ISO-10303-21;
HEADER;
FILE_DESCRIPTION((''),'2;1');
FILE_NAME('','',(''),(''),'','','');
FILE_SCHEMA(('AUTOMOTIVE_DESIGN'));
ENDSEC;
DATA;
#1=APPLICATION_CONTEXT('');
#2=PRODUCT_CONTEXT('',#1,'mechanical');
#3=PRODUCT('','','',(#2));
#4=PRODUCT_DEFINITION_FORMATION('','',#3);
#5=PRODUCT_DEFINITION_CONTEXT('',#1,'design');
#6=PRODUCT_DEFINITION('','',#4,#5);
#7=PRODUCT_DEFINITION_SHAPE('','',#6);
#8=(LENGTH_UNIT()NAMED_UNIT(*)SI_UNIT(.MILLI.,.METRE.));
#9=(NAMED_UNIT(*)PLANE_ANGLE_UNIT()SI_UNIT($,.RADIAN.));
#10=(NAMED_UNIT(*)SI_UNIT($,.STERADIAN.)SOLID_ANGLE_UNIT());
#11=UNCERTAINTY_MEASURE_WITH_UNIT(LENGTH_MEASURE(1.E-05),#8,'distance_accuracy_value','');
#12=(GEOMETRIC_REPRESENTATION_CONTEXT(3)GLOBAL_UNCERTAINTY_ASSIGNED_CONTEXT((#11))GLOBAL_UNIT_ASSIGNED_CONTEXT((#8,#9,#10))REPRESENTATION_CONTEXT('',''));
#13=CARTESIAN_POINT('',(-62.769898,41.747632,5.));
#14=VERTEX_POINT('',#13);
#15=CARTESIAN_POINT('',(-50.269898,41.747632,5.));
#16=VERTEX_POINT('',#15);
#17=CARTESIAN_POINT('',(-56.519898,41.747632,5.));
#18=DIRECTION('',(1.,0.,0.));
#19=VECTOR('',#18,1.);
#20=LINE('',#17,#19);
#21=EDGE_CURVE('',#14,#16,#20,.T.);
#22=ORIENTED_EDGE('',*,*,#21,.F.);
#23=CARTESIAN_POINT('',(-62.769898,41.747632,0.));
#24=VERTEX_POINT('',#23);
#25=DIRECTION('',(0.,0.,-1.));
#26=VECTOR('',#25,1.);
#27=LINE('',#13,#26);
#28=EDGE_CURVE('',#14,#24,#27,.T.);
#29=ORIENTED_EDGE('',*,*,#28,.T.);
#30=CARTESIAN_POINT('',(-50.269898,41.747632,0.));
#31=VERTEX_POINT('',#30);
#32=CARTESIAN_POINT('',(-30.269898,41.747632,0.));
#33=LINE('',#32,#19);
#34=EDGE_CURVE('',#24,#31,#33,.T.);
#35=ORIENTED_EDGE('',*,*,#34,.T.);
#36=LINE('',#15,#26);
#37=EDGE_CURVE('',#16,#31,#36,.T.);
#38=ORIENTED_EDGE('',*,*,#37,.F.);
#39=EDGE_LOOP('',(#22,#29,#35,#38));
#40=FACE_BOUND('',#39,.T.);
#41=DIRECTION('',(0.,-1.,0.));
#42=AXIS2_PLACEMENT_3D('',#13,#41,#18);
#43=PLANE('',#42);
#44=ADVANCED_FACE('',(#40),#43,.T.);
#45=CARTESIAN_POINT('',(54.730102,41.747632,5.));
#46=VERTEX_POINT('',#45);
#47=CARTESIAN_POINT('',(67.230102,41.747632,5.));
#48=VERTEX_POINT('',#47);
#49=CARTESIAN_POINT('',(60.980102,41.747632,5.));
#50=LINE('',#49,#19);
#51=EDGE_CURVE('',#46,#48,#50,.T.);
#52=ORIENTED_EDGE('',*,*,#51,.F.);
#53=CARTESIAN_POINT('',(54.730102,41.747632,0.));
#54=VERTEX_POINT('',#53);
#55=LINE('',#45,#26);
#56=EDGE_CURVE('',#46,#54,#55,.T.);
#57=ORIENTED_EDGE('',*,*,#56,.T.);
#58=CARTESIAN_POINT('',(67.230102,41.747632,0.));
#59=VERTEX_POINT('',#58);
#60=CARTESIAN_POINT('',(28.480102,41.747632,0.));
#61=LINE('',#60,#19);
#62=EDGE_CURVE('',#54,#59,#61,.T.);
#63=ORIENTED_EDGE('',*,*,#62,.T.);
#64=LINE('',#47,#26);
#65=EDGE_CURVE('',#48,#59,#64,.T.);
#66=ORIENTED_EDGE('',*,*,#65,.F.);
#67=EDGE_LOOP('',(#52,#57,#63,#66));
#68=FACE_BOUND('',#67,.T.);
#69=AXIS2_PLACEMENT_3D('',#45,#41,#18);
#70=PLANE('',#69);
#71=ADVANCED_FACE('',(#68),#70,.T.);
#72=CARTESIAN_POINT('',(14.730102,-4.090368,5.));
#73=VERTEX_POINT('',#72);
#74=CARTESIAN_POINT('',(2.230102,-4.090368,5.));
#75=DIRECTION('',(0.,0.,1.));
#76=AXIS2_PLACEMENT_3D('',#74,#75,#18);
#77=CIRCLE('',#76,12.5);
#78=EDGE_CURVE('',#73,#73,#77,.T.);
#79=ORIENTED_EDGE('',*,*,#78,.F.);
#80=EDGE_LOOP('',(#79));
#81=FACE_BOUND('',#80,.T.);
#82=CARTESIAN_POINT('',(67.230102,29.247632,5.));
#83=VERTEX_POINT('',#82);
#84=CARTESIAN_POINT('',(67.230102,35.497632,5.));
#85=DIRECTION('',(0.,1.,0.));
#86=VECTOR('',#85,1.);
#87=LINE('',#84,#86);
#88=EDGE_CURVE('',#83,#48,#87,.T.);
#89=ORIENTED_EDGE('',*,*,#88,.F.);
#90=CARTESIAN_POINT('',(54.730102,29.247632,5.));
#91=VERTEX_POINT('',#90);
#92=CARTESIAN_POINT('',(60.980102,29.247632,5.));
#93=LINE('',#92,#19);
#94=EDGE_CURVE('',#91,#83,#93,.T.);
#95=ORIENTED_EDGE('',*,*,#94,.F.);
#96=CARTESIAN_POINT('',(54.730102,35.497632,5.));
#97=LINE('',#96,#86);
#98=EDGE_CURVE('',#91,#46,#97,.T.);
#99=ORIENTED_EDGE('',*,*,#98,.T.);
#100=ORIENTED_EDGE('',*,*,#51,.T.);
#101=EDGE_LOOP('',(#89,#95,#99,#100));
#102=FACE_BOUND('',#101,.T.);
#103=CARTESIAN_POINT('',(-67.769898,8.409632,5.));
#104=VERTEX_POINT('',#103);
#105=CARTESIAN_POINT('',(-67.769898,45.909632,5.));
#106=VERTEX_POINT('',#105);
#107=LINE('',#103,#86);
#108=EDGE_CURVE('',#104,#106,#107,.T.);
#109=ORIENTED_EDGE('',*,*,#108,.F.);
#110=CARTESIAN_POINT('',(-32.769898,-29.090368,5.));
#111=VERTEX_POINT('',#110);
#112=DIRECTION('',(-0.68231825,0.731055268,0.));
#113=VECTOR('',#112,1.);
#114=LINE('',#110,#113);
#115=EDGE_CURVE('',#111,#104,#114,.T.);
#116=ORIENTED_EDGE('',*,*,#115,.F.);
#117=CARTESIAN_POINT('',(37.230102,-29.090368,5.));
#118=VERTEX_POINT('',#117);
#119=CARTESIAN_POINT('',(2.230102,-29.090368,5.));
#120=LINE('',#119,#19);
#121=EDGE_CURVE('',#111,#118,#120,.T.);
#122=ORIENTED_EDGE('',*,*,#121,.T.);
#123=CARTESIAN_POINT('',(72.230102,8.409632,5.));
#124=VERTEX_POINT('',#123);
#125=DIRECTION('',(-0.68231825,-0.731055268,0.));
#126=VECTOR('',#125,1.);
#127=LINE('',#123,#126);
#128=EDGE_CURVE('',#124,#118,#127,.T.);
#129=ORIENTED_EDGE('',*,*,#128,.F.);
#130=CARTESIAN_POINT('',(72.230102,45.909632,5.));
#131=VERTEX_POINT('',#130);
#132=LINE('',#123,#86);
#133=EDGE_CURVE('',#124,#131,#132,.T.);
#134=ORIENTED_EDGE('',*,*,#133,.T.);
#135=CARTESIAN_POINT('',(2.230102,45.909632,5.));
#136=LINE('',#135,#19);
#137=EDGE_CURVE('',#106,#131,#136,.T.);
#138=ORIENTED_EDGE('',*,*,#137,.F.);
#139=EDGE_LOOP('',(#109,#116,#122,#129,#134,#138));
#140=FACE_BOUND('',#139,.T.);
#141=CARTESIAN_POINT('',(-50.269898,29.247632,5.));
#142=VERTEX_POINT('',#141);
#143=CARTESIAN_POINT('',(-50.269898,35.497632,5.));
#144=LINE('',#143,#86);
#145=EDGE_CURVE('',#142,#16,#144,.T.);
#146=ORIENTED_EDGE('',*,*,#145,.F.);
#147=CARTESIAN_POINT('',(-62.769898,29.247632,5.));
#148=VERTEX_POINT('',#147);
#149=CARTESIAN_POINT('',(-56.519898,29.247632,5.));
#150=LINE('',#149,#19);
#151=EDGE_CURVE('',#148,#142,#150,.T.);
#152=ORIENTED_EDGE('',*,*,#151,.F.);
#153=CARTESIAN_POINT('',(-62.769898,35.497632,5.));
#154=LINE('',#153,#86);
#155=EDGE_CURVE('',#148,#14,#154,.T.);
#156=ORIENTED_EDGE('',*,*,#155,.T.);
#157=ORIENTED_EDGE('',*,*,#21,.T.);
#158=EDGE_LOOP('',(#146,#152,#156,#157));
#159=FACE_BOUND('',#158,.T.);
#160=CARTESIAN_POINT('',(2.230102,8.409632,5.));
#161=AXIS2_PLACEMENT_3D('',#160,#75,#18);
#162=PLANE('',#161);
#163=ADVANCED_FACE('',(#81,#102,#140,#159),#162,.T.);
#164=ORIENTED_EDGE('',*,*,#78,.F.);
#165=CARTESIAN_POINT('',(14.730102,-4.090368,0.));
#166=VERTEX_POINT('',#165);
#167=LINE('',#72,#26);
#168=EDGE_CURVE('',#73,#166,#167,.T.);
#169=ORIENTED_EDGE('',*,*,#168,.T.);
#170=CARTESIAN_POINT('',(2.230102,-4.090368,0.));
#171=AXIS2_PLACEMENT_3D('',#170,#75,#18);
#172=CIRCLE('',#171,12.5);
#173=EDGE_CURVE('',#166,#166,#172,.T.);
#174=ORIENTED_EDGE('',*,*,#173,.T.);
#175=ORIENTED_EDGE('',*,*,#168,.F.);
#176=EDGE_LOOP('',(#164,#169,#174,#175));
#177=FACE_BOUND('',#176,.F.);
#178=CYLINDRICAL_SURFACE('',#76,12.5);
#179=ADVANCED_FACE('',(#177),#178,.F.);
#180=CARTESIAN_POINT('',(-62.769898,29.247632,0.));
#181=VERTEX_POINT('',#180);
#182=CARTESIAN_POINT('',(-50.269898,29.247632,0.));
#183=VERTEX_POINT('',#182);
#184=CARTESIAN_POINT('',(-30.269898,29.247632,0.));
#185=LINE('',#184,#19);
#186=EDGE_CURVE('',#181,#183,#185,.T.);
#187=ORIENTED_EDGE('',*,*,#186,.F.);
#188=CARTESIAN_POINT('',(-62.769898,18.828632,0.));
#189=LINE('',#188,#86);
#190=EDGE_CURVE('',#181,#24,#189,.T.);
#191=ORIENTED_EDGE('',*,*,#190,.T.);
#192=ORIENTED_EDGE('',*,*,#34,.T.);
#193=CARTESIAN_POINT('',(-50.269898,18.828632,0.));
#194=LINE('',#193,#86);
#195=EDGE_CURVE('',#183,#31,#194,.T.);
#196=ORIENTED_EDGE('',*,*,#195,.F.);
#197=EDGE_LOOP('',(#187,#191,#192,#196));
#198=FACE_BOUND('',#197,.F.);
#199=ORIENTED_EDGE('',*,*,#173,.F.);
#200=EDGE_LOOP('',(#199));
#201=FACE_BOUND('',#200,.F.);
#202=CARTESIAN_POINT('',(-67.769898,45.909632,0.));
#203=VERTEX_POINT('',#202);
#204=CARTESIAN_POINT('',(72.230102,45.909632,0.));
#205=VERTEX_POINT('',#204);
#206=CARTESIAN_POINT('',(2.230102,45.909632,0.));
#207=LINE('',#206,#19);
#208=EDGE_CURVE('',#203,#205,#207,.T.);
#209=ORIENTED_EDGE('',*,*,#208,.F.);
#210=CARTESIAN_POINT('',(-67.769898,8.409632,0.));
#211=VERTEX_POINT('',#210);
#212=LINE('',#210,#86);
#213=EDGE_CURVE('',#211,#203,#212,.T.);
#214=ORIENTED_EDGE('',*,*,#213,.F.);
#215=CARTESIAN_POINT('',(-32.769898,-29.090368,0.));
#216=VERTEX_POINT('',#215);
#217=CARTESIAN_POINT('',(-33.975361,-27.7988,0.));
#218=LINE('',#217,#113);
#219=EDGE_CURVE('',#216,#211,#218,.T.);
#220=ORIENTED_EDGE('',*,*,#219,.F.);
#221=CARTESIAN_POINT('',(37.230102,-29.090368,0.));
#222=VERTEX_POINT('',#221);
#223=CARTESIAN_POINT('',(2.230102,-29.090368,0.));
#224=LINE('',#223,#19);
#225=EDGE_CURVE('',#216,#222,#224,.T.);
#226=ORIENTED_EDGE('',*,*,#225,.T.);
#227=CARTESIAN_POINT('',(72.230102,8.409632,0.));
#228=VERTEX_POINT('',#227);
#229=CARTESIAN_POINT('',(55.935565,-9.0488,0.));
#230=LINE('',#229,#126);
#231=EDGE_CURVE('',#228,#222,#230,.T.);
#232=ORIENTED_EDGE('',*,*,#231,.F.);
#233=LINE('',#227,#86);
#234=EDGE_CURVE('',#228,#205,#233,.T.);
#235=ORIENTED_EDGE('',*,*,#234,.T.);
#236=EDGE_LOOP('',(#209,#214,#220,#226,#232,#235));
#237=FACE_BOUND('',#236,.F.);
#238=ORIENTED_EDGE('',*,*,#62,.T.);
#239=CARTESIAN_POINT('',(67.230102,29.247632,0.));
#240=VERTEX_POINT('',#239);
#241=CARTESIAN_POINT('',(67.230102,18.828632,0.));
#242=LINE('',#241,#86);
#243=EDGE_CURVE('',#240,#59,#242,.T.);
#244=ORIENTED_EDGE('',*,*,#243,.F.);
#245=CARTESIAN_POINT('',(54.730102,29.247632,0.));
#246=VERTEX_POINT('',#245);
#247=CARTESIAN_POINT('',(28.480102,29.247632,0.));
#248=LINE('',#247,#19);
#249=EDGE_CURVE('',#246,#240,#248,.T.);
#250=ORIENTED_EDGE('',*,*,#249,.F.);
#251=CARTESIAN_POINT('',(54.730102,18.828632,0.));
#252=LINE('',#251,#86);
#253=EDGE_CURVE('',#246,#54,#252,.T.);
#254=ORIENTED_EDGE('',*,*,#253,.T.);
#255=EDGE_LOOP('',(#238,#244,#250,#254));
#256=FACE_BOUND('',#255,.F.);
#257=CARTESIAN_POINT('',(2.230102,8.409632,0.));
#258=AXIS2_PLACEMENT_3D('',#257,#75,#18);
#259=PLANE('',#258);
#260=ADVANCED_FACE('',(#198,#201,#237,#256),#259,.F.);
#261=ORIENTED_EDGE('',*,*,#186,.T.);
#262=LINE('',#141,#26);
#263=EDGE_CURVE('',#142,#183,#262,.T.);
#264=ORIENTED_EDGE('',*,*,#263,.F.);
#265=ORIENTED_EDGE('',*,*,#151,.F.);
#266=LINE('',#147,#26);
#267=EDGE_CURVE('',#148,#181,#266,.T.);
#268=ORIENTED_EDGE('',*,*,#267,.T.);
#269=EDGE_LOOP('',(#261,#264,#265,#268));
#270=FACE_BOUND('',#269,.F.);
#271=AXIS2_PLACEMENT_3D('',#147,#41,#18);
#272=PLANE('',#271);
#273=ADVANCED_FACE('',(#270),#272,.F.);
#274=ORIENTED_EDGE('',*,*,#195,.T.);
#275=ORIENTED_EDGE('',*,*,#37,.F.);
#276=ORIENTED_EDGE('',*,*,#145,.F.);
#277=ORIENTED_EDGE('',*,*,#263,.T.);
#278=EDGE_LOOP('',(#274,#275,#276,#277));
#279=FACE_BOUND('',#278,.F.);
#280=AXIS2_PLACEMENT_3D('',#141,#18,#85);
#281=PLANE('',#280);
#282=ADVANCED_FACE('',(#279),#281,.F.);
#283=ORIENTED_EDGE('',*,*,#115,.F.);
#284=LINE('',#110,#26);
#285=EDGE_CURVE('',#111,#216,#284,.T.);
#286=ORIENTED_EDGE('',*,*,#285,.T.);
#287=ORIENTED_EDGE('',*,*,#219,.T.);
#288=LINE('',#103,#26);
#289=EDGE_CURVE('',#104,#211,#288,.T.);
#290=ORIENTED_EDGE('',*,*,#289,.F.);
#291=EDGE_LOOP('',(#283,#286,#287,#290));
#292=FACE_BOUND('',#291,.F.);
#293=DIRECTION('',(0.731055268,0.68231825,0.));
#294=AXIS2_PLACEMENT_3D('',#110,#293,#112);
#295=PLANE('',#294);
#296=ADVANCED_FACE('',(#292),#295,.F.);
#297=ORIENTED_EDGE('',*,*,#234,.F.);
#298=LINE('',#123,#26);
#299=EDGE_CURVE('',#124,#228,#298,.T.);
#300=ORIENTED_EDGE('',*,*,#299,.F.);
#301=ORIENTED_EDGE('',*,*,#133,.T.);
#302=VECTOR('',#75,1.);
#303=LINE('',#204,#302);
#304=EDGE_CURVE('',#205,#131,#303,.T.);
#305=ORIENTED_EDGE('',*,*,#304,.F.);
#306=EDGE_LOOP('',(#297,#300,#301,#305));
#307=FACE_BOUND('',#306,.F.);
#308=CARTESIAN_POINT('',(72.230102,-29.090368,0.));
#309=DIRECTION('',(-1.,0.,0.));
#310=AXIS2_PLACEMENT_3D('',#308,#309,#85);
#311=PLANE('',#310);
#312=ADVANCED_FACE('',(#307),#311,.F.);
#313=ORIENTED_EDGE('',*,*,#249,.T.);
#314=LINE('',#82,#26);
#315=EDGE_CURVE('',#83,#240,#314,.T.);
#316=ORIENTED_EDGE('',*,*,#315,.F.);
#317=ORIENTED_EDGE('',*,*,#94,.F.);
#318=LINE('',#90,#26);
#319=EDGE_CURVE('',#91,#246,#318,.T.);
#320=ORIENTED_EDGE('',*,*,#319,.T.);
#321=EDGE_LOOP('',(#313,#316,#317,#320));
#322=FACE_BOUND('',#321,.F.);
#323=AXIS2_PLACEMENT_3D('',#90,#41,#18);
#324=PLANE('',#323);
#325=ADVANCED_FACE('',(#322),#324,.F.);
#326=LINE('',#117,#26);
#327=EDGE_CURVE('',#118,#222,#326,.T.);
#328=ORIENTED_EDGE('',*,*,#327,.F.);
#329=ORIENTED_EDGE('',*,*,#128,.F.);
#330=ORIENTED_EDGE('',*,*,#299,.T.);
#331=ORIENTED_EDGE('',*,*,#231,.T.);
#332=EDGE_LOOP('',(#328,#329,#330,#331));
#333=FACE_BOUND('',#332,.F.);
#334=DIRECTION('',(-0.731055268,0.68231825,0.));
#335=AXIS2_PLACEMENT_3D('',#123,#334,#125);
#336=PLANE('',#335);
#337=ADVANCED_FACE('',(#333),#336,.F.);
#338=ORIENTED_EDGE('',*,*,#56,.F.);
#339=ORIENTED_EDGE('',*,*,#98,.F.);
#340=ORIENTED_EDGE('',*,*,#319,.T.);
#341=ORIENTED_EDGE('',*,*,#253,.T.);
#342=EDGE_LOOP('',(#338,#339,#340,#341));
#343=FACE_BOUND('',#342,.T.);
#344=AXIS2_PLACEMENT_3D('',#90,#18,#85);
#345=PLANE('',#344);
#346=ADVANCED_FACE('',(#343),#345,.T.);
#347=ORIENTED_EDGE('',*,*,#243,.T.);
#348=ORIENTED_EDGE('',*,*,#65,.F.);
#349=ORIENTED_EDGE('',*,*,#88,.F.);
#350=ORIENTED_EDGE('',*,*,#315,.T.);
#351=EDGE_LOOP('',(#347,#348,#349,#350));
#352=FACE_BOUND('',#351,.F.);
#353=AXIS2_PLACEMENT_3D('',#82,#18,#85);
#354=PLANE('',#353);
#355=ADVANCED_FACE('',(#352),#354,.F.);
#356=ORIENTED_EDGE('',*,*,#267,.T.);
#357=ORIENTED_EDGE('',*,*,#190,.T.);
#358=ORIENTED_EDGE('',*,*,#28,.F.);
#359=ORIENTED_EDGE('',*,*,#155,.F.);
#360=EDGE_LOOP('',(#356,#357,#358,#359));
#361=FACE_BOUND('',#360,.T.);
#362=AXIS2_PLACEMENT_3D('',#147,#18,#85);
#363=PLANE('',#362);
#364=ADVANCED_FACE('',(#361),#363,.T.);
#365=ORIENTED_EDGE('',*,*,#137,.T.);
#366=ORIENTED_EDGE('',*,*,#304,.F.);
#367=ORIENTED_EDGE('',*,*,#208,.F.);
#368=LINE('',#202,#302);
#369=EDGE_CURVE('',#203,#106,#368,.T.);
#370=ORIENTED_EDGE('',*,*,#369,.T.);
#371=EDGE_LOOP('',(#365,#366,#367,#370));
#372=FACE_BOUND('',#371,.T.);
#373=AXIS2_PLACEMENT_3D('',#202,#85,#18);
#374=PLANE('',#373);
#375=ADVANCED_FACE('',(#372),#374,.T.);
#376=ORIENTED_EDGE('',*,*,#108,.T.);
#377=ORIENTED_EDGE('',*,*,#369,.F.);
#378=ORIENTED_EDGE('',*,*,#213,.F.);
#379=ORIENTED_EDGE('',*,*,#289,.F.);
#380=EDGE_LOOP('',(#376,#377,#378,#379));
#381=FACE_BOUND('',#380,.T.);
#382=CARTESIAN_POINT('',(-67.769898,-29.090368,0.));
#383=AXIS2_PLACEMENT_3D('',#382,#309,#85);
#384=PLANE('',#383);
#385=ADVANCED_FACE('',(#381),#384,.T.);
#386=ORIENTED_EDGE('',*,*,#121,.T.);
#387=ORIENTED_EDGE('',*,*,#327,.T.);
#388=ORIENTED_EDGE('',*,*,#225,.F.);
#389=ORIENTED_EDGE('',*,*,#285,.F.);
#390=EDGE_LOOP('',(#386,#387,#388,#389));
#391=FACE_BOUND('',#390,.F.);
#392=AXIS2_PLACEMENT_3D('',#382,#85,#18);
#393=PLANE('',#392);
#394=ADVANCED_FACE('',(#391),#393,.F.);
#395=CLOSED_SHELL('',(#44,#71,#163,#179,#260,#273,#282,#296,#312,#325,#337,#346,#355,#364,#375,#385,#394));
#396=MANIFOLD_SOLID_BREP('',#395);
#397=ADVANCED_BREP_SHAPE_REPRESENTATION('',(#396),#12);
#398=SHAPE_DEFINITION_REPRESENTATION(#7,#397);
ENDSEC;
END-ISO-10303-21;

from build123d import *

# Parameters (mm, degrees)
F0_W     = 140
F0_H     = 75
F1_DEPTH = 5
F2_W     = 12.5
F2_H     = 12.5
F3_DEPTH = 25
F4_R     = 12.5
F5_DEPTH = 25
F7_DEPTH = 25


with BuildPart() as f1:
    # F0 (on Top) → F1 (new body)
    with BuildSketch(Plane.XY):
        with Locations((2.230102, 8.409632)):
            Rectangle(F0_W, F0_H)
    extrude(amount=F1_DEPTH)

    # F2 (on face) → F3 (cut)
    with BuildSketch(Plane.XY.offset(5)):
        with Locations((-56.519898, 35.497632)):
            Rectangle(F2_W, F2_H)
        with Locations((60.980102, 35.497632)):
            Rectangle(F2_W, F2_H)
    extrude(amount=-F3_DEPTH, mode=Mode.SUBTRACT)

    # F4 (on face) → F5 (cut)
    with BuildSketch(Plane.XY.offset(5)):
        with Locations((2.230102, -4.090368)):
            Circle(F4_R)
    extrude(amount=-F5_DEPTH, mode=Mode.SUBTRACT)

    # F6 (on face) → F7 (cut)
    with BuildSketch(Plane.XY.offset(5)):
        Polygon((-32.769898, -29.090368), (-67.769898, 8.409632), (-67.769898, -29.090368), align=None)
        Polygon((72.230102, -29.090368), (72.230102, 8.409632), (37.230102, -29.090368), align=None)
    extrude(amount=-F7_DEPTH, mode=Mode.SUBTRACT)


solid = f1.part
